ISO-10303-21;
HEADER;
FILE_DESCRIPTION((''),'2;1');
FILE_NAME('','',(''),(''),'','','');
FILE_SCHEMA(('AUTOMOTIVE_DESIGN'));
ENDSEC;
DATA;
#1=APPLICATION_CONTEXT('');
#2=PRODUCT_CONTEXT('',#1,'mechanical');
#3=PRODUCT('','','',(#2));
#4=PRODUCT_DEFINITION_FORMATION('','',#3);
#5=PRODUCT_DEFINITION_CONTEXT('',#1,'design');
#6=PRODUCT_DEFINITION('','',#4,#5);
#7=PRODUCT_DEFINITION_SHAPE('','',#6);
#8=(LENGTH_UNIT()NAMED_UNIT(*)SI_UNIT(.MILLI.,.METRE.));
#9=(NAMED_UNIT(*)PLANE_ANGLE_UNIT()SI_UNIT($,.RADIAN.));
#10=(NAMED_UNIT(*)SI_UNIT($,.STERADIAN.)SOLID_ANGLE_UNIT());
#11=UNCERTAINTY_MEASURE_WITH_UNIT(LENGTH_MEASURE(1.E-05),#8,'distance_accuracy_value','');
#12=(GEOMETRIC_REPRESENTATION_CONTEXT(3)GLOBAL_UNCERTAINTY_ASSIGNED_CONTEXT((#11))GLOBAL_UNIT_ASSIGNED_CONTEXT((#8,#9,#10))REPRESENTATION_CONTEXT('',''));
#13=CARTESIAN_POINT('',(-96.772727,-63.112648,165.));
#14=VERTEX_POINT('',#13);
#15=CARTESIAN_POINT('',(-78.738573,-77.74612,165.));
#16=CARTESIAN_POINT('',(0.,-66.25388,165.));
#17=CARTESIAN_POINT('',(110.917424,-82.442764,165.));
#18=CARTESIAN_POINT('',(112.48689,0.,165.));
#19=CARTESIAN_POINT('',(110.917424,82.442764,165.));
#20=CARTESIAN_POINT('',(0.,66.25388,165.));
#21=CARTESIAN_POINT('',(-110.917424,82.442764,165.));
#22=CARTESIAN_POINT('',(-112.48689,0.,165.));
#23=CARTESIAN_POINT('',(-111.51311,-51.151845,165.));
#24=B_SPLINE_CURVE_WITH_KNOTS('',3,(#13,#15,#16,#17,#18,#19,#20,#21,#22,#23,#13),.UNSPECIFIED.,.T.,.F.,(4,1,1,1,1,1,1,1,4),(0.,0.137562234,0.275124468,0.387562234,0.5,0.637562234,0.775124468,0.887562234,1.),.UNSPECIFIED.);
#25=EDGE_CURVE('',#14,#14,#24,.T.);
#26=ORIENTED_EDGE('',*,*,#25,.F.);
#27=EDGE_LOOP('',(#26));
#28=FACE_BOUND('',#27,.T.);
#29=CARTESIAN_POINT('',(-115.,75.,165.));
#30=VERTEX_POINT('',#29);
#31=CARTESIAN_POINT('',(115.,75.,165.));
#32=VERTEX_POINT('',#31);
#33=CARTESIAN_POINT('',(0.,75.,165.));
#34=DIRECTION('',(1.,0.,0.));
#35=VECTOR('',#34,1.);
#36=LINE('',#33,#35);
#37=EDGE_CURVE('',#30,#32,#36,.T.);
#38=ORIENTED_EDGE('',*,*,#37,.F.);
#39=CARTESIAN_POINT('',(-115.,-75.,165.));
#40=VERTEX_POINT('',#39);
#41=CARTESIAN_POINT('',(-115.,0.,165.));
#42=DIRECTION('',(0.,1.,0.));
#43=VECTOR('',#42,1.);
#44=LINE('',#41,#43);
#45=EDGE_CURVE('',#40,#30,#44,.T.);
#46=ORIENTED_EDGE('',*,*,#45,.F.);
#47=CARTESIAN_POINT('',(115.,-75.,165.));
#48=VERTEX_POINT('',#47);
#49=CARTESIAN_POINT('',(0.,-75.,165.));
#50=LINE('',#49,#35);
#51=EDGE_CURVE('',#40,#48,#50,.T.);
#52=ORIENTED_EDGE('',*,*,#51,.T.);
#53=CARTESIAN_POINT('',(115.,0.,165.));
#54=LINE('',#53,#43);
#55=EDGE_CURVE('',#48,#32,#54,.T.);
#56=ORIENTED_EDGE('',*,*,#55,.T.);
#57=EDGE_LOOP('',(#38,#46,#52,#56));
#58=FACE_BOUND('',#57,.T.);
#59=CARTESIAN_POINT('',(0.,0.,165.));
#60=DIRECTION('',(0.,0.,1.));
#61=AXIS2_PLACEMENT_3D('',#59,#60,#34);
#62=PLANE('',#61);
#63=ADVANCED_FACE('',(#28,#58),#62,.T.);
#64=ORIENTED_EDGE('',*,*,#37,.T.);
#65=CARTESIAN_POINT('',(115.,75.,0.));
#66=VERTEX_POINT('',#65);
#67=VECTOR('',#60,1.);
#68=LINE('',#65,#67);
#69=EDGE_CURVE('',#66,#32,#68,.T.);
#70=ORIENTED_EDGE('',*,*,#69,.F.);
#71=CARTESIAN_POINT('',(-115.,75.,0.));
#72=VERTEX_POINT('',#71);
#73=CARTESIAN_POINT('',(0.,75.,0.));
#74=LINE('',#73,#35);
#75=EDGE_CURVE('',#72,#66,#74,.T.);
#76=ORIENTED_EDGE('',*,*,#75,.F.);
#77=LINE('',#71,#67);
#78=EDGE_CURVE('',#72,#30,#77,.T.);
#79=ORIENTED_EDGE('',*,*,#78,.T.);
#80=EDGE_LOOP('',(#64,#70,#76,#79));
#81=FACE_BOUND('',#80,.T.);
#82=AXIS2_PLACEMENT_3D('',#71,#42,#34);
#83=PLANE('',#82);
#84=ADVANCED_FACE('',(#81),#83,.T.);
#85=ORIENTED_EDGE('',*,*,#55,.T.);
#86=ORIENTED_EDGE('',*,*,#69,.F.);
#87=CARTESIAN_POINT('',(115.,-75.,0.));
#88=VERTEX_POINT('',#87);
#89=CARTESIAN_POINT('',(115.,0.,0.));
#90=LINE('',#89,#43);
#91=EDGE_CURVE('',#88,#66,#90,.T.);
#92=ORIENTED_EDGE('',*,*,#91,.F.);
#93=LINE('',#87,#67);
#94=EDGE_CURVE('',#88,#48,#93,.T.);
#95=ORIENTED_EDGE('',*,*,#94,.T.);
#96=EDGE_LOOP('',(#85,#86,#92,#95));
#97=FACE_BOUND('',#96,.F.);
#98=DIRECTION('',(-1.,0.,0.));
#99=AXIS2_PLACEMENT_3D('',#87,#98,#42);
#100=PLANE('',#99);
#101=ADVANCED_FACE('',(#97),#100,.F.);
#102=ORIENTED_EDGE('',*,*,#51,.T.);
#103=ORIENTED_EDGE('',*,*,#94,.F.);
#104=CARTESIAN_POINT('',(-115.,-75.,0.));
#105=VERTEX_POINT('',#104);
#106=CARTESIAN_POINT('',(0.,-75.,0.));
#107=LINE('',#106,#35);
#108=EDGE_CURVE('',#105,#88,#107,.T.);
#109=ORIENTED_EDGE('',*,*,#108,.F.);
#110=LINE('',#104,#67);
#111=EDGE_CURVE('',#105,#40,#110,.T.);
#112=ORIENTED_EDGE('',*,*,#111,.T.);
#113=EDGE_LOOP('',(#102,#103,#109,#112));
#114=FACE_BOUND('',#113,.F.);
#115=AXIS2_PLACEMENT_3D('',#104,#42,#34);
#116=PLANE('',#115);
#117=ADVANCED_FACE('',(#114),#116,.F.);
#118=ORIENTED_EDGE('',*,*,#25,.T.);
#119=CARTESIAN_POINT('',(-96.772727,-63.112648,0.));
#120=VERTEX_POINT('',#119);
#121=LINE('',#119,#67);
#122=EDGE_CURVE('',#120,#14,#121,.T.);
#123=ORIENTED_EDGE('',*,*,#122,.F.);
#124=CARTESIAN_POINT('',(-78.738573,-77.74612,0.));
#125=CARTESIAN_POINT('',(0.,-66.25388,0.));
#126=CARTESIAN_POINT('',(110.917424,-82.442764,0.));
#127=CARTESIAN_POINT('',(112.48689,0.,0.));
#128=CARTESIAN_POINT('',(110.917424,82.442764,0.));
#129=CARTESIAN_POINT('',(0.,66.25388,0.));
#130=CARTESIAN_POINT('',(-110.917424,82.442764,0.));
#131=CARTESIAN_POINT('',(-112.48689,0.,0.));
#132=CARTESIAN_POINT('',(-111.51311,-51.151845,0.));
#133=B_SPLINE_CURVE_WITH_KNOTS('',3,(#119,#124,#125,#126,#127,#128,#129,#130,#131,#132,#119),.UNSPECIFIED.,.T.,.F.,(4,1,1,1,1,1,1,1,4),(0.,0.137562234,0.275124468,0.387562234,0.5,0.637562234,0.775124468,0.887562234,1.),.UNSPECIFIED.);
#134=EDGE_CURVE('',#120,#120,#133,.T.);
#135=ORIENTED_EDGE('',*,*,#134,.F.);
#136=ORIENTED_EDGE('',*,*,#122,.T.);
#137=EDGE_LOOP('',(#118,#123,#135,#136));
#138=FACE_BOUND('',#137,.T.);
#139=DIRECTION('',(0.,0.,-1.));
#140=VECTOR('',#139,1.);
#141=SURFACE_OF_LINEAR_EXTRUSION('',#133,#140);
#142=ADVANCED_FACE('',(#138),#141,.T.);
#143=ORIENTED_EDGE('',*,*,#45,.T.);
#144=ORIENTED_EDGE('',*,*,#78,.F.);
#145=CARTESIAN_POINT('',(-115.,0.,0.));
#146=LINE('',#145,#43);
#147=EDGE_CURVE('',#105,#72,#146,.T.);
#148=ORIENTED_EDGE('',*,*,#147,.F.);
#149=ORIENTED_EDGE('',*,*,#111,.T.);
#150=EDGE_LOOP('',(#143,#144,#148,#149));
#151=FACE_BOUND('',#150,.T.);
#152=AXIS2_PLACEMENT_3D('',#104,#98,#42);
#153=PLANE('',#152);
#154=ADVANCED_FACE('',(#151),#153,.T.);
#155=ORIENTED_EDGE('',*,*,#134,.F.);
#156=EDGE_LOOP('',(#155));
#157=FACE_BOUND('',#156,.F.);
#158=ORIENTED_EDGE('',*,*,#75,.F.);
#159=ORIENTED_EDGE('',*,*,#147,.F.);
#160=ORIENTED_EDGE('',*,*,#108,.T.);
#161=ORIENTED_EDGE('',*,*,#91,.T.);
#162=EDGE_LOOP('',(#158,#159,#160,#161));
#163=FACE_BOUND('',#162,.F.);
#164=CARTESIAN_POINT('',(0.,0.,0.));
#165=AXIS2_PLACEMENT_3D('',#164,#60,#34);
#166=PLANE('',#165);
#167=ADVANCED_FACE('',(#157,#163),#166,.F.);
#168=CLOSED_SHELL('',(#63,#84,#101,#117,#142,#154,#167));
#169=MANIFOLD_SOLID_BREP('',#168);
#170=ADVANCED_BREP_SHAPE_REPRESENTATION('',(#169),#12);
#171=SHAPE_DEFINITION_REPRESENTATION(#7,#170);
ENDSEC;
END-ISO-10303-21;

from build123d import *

# Parameters (mm, degrees)
F0_W     = 230
F0_H     = 150
F1_DEPTH = 165


with BuildPart() as f1:
    # F0 (on Top) → F1 (new body)
    with BuildSketch(Plane.XY):
        Rectangle(F0_W, F0_H)
        with BuildLine():
            add(Edge.make_bspline(
                [(-96.7727272727, -63.1126482213), (-78.7385730166, -77.7461197162), (0, -66.2538802838), (110.9174238506, -82.4427638676), (112.4868897741, 0), (110.9174238506, 82.4427638676), (0, 66.2538802838), (-110.9174238506, 82.4427638676), (-112.4868897741, 0), (-111.5131102259, -51.1518448088), (-96.7727272727, -63.1126482213)],
                knots=[0, 0, 0, 0, 0.1375622342, 0.2751244684, 0.3875622342, 0.5, 0.6375622342, 0.7751244684, 0.8875622342, 1, 1, 1, 1], degree=3))
        make_face(mode=Mode.SUBTRACT)
    extrude(amount=F1_DEPTH)


solid = f1.part
